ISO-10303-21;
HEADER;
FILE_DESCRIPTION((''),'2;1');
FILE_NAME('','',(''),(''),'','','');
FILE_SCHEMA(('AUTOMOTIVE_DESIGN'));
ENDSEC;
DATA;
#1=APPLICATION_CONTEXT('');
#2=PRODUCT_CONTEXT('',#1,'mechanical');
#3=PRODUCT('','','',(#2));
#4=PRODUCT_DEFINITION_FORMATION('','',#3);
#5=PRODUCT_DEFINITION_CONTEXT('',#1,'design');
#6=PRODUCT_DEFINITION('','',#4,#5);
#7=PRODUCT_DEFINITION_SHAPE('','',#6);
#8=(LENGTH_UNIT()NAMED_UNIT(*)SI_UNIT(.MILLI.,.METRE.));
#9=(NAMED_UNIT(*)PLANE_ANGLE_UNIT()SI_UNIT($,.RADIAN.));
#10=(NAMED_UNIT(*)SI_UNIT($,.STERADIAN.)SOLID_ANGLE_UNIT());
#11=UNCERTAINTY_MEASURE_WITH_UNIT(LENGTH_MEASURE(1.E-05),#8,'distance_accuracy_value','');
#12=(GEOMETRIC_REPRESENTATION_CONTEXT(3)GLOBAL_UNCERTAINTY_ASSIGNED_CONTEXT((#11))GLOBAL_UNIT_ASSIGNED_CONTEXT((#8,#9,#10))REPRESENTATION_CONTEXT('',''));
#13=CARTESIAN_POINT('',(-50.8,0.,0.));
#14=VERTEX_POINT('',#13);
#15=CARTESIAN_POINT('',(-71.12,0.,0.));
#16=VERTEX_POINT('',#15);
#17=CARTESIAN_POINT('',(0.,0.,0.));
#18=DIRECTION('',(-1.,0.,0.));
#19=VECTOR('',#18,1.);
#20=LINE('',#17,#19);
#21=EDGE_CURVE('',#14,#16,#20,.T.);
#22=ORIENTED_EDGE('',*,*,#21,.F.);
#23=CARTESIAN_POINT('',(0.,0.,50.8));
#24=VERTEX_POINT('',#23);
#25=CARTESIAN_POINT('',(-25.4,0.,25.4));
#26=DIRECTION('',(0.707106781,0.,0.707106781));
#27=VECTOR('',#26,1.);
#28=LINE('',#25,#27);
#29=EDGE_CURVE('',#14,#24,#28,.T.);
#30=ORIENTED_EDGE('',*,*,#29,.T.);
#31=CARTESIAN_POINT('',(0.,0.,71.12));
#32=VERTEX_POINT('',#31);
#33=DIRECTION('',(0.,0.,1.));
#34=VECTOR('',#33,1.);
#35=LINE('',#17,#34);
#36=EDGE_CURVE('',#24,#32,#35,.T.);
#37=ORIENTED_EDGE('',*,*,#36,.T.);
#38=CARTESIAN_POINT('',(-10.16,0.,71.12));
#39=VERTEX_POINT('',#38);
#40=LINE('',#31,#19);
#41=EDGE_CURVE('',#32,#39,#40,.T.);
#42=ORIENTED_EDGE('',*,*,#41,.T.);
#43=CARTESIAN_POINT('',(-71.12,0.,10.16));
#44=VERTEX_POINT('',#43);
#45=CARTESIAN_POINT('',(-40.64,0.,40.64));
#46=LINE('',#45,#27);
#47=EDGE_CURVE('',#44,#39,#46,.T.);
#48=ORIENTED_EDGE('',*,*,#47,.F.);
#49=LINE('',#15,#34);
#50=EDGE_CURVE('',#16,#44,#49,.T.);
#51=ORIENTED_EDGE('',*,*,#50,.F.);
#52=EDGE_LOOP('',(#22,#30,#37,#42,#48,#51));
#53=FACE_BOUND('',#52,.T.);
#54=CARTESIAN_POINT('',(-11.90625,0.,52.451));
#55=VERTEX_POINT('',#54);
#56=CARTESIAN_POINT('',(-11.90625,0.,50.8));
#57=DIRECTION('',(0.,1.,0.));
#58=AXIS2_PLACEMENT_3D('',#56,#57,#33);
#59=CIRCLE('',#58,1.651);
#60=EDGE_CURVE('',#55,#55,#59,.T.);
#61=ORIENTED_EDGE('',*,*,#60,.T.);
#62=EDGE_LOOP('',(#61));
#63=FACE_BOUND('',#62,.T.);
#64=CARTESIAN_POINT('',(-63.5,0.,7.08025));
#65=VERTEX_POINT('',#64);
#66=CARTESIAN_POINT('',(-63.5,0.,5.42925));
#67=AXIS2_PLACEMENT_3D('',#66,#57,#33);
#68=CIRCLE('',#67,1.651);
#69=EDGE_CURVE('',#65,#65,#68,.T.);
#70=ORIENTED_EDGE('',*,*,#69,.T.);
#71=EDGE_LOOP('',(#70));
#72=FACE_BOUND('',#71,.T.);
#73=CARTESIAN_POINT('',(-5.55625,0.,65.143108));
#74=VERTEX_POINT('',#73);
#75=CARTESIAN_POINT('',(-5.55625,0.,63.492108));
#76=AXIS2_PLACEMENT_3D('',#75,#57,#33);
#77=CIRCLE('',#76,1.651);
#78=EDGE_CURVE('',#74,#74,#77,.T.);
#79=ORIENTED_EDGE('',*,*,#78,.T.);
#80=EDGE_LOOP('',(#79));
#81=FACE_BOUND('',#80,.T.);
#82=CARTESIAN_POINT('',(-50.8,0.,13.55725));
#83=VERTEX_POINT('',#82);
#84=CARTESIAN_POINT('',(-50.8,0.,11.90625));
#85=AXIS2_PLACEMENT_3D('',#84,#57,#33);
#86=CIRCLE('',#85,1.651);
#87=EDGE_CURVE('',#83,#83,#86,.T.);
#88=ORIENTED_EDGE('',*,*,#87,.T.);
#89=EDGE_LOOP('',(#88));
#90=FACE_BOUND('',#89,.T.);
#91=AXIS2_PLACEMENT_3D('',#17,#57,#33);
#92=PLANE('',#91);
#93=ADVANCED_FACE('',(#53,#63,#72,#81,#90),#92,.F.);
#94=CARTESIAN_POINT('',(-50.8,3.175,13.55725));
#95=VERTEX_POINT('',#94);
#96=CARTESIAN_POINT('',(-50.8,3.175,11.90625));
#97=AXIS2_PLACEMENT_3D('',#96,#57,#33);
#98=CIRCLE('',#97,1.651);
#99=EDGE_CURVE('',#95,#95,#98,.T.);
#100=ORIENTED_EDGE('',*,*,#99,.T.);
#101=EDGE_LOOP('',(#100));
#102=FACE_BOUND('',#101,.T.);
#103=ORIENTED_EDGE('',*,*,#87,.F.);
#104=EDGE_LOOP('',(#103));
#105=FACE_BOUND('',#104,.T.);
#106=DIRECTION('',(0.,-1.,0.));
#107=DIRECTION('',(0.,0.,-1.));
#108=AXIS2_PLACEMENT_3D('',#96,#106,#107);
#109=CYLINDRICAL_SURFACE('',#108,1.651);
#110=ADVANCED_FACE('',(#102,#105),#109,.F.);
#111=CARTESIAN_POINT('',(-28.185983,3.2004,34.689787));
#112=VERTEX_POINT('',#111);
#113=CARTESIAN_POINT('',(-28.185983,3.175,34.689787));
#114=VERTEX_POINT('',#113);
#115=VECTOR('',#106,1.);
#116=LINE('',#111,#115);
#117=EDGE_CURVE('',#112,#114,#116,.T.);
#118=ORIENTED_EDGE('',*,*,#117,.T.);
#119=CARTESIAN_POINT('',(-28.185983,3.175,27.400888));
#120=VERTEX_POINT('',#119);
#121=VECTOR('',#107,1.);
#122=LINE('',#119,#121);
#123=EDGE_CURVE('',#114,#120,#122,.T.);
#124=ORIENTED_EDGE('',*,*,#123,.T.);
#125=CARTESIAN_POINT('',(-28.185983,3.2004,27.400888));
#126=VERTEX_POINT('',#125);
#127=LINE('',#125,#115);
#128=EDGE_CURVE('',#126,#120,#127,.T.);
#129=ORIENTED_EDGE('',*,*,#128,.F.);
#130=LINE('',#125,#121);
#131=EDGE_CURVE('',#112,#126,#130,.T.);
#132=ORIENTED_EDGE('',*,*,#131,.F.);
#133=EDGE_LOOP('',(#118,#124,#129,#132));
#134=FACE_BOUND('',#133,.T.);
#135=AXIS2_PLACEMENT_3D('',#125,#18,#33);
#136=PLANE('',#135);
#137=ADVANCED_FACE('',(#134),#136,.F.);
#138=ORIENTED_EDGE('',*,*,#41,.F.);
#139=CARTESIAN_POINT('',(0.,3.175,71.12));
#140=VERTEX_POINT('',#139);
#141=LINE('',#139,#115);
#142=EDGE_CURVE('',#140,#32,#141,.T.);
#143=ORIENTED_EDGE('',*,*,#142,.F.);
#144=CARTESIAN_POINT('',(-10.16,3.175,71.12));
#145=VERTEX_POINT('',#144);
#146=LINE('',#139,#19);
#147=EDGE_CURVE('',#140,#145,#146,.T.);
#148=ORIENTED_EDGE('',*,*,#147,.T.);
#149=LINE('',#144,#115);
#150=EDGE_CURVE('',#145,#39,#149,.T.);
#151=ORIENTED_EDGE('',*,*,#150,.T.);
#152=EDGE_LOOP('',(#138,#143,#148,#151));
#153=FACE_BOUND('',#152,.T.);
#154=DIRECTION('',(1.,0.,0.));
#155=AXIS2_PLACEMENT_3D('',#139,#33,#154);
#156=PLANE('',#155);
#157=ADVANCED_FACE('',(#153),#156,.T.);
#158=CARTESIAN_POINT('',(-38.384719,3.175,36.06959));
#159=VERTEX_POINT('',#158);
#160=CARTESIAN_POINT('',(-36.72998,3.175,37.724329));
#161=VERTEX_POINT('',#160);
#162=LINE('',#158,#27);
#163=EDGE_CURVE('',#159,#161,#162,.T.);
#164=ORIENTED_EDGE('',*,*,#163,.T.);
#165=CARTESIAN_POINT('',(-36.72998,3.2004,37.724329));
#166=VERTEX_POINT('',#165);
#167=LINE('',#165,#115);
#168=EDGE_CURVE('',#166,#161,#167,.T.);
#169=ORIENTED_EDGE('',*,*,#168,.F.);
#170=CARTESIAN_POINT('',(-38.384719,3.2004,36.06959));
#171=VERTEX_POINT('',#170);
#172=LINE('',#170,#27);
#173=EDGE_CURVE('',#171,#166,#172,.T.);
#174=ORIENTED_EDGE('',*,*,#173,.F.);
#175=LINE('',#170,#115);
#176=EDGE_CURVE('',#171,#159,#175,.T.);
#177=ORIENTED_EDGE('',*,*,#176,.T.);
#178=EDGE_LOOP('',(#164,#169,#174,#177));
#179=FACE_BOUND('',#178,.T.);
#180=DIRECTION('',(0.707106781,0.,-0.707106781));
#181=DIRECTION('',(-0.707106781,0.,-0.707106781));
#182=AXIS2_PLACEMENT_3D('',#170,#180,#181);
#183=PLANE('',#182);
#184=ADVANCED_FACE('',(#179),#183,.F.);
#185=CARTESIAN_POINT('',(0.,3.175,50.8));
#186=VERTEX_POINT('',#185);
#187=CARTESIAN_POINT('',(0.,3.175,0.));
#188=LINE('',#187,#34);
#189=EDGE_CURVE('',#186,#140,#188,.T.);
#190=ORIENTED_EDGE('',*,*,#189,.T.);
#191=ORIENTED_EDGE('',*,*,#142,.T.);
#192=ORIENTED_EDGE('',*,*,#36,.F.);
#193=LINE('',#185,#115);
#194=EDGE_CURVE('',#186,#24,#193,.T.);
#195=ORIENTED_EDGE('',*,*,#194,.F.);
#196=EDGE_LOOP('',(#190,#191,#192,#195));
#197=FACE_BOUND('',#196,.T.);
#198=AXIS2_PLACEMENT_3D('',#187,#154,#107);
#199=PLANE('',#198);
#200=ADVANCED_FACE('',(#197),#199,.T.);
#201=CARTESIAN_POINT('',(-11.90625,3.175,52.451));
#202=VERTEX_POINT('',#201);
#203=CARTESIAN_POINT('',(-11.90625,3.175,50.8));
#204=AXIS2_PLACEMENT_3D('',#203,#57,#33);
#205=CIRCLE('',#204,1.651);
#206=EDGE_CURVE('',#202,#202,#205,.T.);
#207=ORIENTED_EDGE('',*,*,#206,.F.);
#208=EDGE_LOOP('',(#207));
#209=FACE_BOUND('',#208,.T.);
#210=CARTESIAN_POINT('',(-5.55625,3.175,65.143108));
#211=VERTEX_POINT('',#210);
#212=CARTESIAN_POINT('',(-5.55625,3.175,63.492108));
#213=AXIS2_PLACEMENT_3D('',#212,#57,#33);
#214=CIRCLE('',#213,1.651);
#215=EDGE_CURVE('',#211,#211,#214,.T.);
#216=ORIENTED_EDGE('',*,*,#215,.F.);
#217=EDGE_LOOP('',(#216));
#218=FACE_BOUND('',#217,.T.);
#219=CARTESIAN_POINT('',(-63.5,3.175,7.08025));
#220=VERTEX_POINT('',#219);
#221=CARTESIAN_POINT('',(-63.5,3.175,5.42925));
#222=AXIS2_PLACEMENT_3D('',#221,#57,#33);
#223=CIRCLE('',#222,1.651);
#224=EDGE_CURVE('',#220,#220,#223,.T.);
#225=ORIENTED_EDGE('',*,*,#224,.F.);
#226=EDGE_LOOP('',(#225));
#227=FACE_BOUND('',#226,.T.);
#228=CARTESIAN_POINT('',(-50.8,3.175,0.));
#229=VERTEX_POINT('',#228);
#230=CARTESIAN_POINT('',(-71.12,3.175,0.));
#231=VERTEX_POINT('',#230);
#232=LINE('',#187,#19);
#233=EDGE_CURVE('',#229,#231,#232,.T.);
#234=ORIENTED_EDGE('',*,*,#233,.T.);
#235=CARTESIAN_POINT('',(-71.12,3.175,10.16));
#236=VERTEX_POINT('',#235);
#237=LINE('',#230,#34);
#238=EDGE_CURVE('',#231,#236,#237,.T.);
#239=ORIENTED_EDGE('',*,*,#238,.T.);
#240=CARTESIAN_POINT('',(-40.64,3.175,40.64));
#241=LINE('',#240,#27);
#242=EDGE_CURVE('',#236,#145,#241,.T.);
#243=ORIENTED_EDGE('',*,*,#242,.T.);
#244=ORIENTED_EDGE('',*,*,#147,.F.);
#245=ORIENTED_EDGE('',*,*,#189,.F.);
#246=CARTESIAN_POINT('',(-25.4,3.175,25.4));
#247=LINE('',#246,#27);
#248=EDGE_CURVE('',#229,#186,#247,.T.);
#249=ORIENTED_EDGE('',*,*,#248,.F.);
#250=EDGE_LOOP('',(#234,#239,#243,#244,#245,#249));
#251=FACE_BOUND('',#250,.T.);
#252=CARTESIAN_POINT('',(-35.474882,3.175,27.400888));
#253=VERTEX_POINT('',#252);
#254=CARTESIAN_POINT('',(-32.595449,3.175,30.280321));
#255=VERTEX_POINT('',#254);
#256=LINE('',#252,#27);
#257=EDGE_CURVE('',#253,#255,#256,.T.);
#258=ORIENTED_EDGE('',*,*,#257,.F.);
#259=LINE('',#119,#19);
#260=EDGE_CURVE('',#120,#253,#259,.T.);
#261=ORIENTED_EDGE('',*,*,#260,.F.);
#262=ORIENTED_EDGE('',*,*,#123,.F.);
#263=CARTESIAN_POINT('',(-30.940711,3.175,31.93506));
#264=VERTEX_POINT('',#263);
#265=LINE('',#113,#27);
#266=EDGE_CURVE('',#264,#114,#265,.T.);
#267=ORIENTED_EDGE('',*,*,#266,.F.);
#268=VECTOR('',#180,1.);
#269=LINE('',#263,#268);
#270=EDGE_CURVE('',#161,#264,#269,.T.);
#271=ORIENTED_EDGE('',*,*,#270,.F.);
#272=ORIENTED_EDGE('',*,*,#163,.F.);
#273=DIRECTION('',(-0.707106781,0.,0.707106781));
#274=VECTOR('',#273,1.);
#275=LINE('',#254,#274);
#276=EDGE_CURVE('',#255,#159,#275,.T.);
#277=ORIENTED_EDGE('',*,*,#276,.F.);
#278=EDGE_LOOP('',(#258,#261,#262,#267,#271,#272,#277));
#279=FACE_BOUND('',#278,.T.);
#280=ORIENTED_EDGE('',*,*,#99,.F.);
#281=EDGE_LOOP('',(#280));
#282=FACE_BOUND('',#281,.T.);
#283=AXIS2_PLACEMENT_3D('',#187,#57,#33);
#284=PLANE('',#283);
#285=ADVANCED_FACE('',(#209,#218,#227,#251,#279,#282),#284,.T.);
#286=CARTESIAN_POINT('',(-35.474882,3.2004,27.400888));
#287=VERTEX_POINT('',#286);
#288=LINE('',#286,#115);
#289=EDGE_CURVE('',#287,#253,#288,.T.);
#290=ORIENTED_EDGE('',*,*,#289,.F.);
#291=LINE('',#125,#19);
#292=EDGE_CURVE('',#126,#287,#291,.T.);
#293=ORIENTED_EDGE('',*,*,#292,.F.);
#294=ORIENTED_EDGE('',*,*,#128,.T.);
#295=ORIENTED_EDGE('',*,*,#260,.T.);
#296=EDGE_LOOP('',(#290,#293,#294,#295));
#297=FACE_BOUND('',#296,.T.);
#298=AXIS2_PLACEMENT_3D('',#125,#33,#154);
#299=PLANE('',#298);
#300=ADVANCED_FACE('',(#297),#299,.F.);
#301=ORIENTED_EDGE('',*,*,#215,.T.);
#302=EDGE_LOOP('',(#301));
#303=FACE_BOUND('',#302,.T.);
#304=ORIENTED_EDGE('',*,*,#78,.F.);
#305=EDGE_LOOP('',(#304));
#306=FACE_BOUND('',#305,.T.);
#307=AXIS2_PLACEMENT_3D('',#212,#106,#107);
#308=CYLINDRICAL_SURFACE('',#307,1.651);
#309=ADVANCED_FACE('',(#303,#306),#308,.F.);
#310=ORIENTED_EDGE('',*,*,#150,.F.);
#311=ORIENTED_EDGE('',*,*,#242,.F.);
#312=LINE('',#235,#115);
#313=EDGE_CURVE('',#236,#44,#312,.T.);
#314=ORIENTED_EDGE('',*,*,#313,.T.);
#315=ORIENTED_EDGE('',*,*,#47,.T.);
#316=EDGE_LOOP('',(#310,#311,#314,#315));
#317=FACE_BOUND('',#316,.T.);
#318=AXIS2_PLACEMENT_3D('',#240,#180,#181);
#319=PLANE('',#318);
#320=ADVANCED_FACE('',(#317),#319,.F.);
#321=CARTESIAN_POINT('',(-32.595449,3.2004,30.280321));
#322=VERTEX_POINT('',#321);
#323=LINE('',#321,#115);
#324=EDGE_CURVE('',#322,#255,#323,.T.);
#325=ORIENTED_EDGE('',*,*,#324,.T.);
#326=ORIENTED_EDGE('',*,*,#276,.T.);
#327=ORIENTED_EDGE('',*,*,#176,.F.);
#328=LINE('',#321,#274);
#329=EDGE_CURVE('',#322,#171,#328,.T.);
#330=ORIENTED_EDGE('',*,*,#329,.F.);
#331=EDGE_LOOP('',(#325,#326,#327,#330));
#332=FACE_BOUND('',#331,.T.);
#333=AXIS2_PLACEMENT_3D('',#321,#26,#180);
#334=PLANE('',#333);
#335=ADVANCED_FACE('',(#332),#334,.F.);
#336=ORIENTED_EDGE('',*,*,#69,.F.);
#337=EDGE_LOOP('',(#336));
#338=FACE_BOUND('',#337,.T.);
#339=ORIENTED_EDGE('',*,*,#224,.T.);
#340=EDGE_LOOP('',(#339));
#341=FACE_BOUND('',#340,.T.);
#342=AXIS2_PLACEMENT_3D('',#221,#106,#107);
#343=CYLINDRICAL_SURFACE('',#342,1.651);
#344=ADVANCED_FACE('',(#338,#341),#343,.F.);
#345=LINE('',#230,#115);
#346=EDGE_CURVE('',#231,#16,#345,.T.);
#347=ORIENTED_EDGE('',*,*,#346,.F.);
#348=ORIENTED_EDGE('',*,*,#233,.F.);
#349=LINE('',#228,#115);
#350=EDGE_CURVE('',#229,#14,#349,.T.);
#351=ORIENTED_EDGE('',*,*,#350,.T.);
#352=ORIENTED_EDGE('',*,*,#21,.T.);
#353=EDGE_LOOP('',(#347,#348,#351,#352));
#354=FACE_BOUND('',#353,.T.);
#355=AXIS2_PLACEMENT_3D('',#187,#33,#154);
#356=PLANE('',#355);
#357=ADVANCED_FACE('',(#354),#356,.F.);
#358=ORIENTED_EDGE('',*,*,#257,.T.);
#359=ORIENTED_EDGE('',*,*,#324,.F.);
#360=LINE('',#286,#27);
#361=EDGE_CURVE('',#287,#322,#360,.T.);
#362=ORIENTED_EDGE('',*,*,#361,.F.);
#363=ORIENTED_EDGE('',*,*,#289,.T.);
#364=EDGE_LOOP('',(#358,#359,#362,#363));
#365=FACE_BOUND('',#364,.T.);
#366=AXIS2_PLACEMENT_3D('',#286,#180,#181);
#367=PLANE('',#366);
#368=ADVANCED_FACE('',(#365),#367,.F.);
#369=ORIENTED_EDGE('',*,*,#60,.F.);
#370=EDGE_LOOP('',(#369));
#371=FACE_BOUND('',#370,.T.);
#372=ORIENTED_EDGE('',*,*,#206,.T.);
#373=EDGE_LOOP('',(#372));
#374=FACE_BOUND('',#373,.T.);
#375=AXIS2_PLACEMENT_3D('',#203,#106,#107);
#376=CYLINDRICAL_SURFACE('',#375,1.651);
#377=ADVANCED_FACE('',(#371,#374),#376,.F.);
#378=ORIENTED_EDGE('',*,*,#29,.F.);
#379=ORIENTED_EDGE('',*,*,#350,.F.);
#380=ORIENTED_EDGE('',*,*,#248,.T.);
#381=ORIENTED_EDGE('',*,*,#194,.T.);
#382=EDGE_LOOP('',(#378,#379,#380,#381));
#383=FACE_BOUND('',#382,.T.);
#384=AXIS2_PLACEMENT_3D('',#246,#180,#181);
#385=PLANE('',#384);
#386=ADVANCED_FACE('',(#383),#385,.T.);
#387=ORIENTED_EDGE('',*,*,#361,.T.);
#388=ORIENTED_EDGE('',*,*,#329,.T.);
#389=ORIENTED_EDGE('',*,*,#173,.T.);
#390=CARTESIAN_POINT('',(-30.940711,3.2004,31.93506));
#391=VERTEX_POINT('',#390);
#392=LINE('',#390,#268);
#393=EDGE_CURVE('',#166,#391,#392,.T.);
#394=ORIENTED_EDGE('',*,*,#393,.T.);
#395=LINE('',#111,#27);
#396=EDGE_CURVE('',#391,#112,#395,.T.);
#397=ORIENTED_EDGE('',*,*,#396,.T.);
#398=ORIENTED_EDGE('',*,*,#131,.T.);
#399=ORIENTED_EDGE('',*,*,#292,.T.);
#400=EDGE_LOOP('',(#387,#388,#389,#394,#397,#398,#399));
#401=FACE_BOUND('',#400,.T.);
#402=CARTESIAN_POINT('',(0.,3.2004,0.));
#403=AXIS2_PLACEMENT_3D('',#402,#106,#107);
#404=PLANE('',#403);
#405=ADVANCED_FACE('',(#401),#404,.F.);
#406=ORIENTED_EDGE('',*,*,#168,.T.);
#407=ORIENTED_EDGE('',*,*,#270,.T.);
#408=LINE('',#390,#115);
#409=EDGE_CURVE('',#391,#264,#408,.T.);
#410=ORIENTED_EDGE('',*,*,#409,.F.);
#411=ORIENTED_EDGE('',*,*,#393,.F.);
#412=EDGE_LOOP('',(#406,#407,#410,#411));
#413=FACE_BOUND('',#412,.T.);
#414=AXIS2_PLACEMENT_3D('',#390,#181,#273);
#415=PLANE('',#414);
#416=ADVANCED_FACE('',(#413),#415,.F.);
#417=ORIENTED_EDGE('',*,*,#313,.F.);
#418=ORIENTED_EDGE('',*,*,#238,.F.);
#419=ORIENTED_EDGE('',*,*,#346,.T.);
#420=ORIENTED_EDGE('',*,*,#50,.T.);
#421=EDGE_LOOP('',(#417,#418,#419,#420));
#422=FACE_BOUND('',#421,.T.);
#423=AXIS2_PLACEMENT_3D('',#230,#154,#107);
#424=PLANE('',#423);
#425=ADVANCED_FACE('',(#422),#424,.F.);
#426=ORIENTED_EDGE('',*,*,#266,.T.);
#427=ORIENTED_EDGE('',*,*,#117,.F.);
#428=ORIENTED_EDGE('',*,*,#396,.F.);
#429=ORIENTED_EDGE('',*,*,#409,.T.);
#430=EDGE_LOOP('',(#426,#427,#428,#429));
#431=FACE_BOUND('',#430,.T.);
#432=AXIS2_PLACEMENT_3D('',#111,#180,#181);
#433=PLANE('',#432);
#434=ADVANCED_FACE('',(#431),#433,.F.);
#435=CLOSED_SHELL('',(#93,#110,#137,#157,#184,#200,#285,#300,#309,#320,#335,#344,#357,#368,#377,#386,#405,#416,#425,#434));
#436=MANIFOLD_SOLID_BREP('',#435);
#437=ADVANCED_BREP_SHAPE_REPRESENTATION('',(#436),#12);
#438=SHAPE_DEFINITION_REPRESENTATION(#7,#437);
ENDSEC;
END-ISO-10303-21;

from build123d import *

# Parameters (mm, degrees)
SKETCH1_R           = 1.651
BOSS_EXTRUDE2_DEPTH = 3.175
BOSS_EXTRUDE3_DEPTH = 0.0254


with BuildPart() as part:
    # Sketch1 → Boss-Extrude2 (new body)
    with BuildSketch(Plane(origin=(0, 0, 0), x_dir=(1, 0, 0), z_dir=(0, 1, 0))):
        Polygon((0, -50.8), (-50.8, 0), (-71.12, 0), (-71.12, -10.16), (-10.16, -71.12), (0, -71.12), align=None)
        with Locations((-5.55625, -63.492108138)):
            Circle(SKETCH1_R, mode=Mode.SUBTRACT)
        with Locations((-11.90625, -50.8)):
            Circle(SKETCH1_R, mode=Mode.SUBTRACT)
        with Locations((-63.5, -5.42925)):
            Circle(SKETCH1_R, mode=Mode.SUBTRACT)
        with Locations((-50.8, -11.90625)):
            Circle(SKETCH1_R, mode=Mode.SUBTRACT)
    extrude(amount=BOSS_EXTRUDE2_DEPTH)

    # Sketch5 → Boss-Extrude3 (add)
    with BuildSketch(Plane(origin=(0, 3.175, 0), x_dir=(1, 0, 0), z_dir=(0, 1, 0))):
        Polygon((-28.185982934, -27.400888033), (-35.474882305, -27.400888033), (-32.595449328, -30.28032101), (-38.384718685, -36.069590367), (-36.729980154, -37.724328898), (-30.940710797, -31.935059541), (-28.185982934, -34.689787404), align=None)
    extrude(amount=BOSS_EXTRUDE3_DEPTH)


solid = part.part
